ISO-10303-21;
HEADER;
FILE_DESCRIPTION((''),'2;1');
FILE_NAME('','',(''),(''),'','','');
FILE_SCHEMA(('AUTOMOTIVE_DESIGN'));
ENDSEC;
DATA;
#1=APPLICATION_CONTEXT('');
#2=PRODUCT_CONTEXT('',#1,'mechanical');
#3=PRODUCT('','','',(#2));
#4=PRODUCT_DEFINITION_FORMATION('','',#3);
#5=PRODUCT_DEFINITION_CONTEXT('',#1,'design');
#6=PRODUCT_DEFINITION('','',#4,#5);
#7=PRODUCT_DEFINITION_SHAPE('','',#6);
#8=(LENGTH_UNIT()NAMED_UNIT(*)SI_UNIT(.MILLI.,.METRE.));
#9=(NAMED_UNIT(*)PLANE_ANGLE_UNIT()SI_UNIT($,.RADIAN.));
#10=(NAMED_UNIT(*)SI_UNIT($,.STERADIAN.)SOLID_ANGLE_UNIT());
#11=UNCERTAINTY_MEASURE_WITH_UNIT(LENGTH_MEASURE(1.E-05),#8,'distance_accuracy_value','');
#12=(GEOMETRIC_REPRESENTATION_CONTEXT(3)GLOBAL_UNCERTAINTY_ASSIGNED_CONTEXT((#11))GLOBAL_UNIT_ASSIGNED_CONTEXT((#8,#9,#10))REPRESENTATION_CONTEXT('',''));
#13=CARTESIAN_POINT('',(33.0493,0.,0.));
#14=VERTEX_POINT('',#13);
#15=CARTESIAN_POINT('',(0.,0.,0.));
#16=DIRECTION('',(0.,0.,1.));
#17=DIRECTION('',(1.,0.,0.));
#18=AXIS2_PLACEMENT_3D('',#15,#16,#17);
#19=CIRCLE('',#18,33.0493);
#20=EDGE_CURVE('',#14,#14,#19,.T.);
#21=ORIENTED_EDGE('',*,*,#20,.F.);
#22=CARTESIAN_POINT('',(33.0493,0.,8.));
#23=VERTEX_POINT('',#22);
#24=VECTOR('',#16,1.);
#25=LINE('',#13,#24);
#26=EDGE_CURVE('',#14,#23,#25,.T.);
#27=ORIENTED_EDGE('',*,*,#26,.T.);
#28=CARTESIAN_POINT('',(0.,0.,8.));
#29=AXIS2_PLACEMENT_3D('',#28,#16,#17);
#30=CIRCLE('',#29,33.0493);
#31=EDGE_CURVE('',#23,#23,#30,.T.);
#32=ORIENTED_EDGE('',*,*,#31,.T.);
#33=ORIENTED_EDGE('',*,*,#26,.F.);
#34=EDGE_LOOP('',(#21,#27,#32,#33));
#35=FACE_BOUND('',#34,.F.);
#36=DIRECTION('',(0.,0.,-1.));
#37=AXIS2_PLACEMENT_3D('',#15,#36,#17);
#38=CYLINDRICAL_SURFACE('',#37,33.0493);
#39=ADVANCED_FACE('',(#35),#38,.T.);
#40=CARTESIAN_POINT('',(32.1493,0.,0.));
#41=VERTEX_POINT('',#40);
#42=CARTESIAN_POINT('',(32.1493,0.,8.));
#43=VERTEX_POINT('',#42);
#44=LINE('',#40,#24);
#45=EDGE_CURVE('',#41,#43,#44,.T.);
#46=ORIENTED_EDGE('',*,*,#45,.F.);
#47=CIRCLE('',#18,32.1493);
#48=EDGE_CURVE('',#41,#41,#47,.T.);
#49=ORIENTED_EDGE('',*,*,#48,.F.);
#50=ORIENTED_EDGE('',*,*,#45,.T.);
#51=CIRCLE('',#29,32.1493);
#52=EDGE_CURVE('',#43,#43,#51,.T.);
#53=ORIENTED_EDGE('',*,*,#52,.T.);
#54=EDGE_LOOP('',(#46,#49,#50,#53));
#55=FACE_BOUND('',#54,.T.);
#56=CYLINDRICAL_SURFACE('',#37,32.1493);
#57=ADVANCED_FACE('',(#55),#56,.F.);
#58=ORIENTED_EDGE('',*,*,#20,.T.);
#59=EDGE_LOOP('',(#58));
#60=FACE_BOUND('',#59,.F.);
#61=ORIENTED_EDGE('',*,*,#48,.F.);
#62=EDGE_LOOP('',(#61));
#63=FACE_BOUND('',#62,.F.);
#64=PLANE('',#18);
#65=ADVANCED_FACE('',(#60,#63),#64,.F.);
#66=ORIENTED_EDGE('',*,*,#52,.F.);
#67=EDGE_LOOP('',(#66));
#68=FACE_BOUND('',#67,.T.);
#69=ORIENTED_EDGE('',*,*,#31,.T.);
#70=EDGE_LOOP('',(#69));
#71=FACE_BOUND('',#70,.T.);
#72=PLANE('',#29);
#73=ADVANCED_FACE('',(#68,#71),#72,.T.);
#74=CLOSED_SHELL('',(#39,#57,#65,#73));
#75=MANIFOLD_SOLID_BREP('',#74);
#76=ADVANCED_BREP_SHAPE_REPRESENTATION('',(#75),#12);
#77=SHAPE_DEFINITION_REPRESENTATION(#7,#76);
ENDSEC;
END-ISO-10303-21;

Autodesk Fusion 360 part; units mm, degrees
sketch "Sketch1" plane through (0, 0, 0) normal (0, 0, 1) x (1, 0, 0)
  circle A0 centre (0, 0) radius 32.1493
  circle A1 centre (0, 0) radius 33.0493
  dimension "d1" = 64.2987
  dimension "d4" = 66.0987
extrude "Extrude1" add sketch "Sketch1" along normal blind 8
equation "d1 = inner_diameter"
equation "inner_circumference = 202 mm"
equation "inner_diameter = inner_circumference / 3.14159"
equation "d4 = inner_diameter + belt_thickness"
equation "d5 = belt_width"
equation "belt_width = 8 mm"
equation "belt_thickness = 1.8 mm"
